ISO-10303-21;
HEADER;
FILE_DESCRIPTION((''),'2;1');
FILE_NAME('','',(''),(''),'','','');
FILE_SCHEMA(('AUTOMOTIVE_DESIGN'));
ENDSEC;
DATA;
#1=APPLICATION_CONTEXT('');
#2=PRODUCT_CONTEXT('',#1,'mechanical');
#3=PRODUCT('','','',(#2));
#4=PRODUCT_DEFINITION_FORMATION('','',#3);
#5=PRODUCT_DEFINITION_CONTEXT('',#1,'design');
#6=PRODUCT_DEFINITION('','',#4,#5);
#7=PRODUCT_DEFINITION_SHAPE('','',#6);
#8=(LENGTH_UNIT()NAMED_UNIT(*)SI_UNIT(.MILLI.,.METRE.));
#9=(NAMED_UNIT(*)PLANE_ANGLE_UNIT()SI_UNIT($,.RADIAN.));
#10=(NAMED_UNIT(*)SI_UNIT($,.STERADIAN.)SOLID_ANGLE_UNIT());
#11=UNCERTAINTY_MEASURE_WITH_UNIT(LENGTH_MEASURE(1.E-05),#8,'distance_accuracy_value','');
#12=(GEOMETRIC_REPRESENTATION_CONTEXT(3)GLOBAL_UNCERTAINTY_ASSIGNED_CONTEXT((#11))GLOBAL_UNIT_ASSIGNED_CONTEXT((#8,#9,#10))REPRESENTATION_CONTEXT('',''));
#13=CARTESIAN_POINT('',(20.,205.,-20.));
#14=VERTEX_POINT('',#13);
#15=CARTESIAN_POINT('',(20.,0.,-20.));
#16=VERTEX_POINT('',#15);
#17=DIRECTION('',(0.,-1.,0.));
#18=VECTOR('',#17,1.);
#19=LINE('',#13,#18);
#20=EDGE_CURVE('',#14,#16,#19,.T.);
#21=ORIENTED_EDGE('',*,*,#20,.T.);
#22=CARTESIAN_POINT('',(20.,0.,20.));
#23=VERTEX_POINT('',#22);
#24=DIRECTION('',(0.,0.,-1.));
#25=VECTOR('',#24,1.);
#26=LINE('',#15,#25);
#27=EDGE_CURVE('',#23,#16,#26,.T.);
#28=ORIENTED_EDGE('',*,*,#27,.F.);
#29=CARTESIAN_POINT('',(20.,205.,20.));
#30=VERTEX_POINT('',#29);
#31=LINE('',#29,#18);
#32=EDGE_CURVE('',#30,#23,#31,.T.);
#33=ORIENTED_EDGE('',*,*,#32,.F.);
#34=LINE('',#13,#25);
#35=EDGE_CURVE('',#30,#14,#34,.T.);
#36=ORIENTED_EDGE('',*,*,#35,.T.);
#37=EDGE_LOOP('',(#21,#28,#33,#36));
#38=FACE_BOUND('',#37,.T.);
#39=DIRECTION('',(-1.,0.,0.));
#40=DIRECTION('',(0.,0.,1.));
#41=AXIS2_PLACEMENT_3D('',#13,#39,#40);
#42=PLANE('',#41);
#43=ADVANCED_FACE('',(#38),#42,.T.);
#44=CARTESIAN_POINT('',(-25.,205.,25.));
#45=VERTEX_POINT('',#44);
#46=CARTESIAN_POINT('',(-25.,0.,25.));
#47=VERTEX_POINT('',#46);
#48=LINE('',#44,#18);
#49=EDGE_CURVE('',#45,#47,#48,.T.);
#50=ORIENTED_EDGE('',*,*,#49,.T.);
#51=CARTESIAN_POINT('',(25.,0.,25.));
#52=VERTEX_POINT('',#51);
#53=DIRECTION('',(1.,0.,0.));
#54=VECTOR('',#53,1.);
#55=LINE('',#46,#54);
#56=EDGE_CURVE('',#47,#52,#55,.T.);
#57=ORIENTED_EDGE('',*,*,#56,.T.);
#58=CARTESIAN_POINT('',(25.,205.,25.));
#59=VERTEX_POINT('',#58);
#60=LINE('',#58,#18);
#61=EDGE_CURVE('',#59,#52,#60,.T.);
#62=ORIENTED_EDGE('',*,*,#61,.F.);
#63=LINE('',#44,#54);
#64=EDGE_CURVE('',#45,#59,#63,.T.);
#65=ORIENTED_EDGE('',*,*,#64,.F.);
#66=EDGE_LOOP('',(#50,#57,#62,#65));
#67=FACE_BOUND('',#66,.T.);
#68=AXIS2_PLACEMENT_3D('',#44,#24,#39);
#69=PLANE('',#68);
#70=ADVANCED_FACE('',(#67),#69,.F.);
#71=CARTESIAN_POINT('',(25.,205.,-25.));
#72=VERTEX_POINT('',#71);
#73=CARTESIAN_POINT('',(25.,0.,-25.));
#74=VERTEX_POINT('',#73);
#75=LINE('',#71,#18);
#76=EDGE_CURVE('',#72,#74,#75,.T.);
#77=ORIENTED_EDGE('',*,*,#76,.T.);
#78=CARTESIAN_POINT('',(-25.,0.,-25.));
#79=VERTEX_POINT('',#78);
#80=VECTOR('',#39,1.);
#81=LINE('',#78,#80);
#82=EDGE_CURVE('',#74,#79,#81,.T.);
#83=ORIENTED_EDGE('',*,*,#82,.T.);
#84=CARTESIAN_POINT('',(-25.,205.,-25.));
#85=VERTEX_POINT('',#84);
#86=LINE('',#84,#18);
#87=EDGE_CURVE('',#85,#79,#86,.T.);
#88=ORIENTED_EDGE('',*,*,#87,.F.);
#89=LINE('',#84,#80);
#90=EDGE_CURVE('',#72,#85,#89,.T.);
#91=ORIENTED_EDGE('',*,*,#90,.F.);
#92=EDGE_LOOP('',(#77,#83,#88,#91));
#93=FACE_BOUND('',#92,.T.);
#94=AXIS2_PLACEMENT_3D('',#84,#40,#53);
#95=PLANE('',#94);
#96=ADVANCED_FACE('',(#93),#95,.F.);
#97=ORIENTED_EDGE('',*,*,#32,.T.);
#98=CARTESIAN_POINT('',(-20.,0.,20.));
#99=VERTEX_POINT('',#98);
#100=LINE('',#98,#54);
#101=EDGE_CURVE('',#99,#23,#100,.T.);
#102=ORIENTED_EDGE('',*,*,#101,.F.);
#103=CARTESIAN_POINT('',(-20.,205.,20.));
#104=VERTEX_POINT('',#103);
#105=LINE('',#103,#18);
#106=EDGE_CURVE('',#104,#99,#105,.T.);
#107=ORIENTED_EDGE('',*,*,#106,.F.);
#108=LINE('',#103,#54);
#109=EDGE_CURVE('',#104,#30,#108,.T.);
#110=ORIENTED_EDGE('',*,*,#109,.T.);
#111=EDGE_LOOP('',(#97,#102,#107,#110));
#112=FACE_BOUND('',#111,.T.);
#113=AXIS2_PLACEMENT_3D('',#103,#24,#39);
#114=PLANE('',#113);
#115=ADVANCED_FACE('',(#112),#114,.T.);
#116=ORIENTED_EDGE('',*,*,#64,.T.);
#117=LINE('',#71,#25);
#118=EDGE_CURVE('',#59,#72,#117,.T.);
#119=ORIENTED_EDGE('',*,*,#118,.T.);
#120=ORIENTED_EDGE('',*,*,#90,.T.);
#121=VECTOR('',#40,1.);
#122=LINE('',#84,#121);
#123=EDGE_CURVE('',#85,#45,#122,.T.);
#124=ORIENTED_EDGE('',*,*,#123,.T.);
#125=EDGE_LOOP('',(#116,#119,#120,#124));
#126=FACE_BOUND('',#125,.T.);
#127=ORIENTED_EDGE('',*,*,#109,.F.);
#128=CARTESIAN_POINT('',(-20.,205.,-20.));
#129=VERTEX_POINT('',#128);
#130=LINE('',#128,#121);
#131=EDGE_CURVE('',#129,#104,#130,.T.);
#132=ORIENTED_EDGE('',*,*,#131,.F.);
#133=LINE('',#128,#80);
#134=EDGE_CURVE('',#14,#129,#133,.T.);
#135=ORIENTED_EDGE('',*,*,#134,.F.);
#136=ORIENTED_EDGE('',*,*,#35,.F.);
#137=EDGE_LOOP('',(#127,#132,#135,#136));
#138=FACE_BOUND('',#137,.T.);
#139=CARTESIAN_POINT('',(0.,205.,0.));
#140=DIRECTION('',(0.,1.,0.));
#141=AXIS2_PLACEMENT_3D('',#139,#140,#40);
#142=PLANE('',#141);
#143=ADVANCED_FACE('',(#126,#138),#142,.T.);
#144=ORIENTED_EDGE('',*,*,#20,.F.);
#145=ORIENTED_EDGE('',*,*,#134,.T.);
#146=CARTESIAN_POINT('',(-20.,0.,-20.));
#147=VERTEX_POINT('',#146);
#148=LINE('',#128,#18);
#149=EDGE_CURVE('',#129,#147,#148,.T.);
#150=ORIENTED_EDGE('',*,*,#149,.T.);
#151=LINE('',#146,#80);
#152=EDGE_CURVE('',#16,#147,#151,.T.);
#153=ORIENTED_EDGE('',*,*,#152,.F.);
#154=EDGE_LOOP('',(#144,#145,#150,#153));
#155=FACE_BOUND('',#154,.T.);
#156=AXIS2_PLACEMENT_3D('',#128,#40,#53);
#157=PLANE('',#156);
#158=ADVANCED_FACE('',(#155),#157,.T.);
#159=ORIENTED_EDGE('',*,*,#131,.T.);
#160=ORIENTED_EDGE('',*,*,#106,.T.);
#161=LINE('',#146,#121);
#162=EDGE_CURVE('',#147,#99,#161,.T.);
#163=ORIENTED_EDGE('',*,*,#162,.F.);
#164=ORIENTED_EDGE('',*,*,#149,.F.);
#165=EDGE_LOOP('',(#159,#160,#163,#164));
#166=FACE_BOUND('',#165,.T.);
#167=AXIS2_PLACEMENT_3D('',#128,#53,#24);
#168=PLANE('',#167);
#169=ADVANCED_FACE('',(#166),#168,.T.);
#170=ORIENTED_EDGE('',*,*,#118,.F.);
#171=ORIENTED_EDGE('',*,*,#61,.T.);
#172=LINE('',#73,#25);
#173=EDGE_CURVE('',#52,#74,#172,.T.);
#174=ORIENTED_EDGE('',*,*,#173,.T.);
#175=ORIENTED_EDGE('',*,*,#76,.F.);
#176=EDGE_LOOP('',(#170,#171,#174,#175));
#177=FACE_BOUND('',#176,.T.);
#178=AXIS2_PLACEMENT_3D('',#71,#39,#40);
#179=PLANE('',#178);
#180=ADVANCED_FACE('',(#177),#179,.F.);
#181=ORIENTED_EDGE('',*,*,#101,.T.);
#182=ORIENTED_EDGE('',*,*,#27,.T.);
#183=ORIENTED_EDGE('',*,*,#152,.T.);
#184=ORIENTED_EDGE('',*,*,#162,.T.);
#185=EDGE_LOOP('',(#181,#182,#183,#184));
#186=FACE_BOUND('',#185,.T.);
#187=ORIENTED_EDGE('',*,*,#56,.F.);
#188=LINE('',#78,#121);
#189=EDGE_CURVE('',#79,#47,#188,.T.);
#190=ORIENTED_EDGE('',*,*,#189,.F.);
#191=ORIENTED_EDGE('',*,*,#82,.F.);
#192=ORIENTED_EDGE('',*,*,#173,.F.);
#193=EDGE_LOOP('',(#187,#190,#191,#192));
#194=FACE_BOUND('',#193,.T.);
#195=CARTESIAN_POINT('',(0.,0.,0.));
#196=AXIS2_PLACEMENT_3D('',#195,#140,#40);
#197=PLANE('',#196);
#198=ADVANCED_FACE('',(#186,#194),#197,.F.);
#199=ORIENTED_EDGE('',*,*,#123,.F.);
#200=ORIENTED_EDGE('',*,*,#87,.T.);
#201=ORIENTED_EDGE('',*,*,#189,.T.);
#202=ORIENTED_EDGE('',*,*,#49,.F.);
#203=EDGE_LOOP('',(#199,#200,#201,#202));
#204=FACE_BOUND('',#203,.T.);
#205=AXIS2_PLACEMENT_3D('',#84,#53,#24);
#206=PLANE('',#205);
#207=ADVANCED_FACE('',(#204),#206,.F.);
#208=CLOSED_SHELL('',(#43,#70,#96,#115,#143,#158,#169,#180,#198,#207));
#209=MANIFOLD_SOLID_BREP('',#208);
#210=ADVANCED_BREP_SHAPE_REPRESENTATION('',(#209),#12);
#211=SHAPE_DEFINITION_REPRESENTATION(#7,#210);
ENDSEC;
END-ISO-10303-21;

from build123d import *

# Parameters (mm, degrees)
SKETCH2_W           = 50
SKETCH2_H           = 50
SKETCH2_W_2         = 40
SKETCH2_H_2         = 40
BOSS_EXTRUDE1_DEPTH = 205


with BuildPart() as part:
    # Sketch2 → Boss-Extrude1 (new body)
    with BuildSketch(Plane(origin=(0, 0, 0), x_dir=(1, 0, 0), z_dir=(0, 1, 0))):
        Rectangle(SKETCH2_W, SKETCH2_H)
        Rectangle(SKETCH2_W_2, SKETCH2_H_2, mode=Mode.SUBTRACT)
    extrude(amount=BOSS_EXTRUDE1_DEPTH)


solid = part.part
